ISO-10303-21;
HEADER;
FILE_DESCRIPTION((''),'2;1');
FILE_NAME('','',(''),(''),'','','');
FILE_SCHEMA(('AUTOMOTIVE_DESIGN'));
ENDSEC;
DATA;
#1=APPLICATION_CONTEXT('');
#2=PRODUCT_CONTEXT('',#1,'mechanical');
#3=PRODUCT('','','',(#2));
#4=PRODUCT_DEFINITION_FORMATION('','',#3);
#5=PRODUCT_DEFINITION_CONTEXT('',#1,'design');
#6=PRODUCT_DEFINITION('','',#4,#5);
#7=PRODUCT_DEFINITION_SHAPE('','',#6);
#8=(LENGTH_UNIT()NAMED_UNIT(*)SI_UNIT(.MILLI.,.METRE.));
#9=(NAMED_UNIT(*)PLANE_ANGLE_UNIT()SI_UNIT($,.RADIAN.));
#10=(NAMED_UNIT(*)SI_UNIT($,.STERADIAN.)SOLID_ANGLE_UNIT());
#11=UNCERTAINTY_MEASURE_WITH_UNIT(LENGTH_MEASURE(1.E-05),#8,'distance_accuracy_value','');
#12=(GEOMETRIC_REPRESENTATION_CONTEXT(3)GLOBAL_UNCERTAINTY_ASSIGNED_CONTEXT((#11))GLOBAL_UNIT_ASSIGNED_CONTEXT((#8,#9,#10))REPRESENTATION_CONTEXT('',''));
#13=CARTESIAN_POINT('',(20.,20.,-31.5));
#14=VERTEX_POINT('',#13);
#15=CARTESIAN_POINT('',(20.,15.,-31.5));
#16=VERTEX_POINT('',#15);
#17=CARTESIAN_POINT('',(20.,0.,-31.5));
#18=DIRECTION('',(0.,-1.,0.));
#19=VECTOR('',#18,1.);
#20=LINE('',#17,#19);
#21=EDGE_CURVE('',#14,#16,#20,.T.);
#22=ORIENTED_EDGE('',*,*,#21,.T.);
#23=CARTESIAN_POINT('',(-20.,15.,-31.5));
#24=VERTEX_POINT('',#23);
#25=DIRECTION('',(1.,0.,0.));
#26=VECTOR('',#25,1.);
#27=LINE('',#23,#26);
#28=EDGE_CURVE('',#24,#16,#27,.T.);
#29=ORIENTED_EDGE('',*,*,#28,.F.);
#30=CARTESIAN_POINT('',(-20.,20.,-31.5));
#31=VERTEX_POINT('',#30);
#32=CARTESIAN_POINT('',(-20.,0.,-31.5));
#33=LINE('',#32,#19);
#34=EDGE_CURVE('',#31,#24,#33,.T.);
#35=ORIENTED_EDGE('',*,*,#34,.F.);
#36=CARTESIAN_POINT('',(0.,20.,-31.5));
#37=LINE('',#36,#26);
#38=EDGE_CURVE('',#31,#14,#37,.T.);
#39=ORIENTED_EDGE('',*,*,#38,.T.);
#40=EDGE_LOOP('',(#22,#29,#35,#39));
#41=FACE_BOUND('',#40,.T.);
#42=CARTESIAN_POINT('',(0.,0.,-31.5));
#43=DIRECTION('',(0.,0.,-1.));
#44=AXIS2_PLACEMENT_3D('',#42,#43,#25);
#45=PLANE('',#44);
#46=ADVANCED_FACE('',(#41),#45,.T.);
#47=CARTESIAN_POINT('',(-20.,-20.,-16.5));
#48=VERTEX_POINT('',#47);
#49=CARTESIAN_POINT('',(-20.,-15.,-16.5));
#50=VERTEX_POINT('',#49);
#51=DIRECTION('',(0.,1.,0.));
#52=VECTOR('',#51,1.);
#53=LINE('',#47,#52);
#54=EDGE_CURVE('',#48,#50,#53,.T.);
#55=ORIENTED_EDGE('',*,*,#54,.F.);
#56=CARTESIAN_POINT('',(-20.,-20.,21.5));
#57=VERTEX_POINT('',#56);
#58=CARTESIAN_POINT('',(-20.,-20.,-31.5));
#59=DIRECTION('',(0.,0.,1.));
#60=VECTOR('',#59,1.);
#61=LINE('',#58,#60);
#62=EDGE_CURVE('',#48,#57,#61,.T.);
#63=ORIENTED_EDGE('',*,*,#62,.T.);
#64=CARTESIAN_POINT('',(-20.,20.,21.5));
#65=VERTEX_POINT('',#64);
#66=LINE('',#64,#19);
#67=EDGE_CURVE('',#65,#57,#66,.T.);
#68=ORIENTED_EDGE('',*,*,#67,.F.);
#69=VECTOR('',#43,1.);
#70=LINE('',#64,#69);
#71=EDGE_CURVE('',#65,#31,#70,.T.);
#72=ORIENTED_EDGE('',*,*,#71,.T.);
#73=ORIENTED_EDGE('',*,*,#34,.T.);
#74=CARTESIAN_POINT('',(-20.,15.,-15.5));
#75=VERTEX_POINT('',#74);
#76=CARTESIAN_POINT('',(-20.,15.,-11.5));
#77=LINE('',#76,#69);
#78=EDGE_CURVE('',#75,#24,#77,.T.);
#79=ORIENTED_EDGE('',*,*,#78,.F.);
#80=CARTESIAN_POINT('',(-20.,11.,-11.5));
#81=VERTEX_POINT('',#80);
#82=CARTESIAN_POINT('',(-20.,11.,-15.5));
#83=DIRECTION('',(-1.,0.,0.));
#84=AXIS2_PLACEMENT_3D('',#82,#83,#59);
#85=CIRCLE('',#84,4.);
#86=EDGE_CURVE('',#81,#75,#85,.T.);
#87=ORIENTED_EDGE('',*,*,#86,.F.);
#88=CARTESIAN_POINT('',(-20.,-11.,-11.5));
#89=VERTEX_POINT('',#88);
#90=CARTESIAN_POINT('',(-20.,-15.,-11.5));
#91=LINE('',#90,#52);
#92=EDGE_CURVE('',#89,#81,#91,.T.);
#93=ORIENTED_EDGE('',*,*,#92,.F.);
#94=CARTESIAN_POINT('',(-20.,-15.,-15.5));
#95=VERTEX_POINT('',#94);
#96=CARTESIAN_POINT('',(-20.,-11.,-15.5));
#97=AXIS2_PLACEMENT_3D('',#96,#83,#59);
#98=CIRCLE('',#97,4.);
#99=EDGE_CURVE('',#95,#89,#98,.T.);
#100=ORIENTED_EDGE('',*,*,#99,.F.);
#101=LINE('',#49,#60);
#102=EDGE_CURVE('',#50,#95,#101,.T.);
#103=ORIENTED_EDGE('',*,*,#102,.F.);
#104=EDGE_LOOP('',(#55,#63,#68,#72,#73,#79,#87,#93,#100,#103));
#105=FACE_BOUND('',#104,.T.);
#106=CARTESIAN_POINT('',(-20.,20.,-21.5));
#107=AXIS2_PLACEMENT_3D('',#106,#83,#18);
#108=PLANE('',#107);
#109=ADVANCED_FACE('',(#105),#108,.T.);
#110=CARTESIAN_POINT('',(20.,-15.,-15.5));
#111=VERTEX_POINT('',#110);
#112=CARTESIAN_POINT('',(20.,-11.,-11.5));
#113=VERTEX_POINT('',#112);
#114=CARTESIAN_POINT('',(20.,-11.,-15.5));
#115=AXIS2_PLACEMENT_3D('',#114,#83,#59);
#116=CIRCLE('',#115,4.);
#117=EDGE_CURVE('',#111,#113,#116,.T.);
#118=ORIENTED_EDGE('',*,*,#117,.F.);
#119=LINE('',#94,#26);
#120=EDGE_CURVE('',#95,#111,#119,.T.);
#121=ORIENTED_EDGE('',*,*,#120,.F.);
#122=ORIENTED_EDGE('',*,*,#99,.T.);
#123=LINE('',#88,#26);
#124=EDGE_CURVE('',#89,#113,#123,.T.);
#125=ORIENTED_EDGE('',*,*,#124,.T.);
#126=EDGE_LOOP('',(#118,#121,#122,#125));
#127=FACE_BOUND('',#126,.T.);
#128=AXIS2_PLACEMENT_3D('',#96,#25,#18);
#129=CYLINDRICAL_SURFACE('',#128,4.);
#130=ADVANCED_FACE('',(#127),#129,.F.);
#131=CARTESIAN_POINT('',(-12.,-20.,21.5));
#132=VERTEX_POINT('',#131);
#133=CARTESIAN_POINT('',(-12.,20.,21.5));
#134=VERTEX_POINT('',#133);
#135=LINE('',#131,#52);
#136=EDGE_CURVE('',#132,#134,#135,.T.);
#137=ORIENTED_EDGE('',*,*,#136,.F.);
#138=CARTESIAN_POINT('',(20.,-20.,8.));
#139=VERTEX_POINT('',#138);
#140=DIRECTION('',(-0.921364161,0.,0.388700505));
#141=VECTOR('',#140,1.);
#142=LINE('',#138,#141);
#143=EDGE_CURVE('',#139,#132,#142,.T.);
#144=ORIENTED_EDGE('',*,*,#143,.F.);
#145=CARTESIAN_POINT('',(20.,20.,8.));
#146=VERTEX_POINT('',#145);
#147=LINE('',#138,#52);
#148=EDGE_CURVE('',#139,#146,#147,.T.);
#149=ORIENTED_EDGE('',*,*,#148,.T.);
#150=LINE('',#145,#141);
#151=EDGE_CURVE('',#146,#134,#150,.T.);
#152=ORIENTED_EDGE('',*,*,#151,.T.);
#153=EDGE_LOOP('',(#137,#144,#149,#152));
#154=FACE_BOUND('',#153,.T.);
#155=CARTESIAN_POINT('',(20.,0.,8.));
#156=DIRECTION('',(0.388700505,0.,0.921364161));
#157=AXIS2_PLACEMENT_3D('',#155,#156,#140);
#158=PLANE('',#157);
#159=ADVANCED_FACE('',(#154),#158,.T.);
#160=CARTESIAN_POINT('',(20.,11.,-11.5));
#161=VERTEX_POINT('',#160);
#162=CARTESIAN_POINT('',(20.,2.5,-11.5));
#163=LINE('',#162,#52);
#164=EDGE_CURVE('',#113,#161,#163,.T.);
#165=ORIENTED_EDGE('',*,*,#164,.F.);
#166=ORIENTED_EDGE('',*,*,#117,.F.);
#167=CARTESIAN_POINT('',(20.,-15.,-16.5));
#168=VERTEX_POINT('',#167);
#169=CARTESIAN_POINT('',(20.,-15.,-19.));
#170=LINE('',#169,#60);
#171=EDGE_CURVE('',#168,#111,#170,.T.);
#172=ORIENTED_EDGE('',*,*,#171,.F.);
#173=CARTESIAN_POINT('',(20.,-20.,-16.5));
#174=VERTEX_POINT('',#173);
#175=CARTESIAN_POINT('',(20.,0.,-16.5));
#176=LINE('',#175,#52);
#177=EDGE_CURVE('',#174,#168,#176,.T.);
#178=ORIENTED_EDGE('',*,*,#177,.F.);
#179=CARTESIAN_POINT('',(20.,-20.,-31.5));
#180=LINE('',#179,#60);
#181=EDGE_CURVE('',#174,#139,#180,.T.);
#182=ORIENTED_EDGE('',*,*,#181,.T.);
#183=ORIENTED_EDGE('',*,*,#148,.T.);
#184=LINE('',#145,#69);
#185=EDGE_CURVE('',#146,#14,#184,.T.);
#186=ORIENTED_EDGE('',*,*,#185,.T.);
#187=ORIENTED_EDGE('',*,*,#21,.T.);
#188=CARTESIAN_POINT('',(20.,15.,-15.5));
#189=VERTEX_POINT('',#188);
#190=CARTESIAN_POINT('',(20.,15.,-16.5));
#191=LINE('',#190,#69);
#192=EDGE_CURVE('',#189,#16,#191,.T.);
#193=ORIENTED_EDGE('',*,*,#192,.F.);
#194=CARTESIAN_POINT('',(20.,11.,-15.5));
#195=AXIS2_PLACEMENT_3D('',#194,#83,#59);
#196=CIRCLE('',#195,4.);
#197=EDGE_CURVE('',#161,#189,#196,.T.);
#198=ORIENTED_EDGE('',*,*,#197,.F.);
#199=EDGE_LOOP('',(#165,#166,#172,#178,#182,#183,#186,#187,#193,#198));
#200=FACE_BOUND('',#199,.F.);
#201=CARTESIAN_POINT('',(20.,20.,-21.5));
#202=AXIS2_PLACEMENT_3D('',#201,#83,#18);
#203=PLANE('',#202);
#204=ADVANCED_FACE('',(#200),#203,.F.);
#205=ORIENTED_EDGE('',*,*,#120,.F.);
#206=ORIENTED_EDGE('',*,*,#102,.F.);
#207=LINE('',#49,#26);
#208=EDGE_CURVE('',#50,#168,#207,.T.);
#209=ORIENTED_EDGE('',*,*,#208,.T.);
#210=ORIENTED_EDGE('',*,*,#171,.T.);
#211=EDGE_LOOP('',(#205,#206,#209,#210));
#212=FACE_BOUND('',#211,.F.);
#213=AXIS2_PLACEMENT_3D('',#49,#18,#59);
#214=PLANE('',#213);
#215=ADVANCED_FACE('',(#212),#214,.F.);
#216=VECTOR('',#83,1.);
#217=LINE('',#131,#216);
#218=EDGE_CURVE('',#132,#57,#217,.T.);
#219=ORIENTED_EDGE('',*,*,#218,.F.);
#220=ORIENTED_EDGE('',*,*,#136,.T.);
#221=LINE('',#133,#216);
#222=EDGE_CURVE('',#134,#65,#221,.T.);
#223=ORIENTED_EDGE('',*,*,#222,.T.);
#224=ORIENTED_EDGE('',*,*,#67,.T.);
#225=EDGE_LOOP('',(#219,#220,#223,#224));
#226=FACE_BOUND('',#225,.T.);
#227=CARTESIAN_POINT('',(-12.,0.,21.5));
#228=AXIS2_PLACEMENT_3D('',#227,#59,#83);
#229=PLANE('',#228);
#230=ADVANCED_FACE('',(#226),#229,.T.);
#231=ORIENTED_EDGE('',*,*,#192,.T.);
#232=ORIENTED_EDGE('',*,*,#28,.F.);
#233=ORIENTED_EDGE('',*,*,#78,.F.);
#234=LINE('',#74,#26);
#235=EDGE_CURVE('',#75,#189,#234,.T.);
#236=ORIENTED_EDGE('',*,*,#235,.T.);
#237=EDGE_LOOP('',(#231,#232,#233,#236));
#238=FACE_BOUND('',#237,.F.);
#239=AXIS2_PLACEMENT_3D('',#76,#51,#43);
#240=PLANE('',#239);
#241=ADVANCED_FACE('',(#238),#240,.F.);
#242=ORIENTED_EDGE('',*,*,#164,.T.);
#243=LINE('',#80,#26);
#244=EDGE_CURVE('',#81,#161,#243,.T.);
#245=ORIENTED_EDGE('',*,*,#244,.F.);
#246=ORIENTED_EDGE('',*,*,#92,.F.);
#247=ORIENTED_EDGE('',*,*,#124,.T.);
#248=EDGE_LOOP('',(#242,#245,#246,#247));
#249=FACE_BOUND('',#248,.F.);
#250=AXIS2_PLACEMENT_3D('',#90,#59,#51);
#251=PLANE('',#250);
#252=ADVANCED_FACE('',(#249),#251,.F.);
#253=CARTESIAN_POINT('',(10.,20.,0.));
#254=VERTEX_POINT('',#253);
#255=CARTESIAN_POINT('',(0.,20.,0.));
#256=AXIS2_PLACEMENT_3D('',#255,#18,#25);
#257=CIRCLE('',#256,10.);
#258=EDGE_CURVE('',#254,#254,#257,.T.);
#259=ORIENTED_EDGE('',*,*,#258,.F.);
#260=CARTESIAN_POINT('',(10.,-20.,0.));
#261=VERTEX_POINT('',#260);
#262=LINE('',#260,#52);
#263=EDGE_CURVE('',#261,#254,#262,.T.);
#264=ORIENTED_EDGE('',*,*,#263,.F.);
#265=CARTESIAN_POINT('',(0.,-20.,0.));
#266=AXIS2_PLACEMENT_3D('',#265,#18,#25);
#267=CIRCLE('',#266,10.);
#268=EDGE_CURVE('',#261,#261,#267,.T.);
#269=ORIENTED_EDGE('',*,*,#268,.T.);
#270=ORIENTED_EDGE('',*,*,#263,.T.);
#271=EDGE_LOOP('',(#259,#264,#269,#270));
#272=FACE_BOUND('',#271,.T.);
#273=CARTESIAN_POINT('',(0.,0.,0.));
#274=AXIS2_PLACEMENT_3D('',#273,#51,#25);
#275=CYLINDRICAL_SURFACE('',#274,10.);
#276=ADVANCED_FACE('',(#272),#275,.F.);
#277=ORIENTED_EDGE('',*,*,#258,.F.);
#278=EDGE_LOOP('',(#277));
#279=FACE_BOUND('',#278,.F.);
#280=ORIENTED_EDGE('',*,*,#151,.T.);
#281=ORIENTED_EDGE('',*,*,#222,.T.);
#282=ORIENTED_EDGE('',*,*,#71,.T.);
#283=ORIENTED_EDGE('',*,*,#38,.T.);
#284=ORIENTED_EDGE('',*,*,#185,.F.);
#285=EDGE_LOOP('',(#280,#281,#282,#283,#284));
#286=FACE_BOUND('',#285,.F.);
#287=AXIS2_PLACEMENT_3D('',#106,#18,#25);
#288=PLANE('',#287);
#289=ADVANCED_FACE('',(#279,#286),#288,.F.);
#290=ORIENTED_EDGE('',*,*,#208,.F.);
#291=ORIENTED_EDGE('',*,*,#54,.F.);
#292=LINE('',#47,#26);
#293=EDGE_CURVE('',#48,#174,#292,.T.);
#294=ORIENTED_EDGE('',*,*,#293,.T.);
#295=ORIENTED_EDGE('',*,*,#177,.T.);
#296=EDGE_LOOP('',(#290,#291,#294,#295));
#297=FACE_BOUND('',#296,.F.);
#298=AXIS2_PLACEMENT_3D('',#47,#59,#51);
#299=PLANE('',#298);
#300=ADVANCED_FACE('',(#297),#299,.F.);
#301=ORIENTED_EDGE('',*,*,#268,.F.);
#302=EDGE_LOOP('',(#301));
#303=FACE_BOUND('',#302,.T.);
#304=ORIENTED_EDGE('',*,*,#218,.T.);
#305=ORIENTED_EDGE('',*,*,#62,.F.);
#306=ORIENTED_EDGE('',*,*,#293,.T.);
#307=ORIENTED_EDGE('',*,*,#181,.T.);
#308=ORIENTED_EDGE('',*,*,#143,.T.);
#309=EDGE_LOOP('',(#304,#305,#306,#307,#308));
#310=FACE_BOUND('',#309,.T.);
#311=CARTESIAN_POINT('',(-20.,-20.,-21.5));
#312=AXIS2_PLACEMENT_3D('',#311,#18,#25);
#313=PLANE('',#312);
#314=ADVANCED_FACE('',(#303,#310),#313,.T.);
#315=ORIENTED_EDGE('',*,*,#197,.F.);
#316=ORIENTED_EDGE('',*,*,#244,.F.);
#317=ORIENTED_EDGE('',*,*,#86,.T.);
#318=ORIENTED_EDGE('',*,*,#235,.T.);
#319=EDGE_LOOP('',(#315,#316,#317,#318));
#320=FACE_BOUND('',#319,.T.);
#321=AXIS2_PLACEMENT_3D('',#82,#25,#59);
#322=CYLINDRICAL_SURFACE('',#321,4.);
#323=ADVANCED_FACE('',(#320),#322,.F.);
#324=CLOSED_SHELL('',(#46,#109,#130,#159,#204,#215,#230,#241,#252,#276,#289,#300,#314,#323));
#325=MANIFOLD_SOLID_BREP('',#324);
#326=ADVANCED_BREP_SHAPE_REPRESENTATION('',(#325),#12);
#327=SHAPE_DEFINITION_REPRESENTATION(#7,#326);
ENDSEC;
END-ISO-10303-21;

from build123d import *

# Parameters (mm, degrees)
F0_R      = 10
F1_DEPTH  = 20
F1_FACE_W = 40
F1_FACE_H = 40
F2_DEPTH  = 10
F4_DEPTH  = 40.001
F5_R      = 4


with BuildPart() as f1:
    # F0 (on Front) → F1 (new body, symmetric)
    with BuildSketch(Plane.XZ):
        Polygon((-12, 21.5), (-20, 21.5), (-20, -21.5), (20, -21.5), (20, 8), align=None)
        Circle(F0_R, mode=Mode.SUBTRACT)
    extrude(amount=F1_DEPTH, both=True)

    # F1_face (on face) → F2 (join)
    with BuildSketch(Plane(origin=(0, 0, -21.5), x_dir=(1, 0, 0), z_dir=(0, 0, -1))):
        Rectangle(F1_FACE_W, F1_FACE_H)
    extrude(amount=F2_DEPTH)

    # F3 (on face) → F4 (cut, through all)
    with BuildSketch(Plane(origin=(-20, 0, 0), x_dir=(0, -1, 0), z_dir=(-1, 0, 0))):
        Polygon((-15, -11.5), (-15, -31.5), (20, -31.5), (20, -16.5), (15, -16.5), (15, -11.5), align=None)
    extrude(amount=-F4_DEPTH, mode=Mode.SUBTRACT)

    # F5
    f5_edges = [f1.edges().sort_by_distance(p)[0] for p in [
        (0, 15, -11.5),
        (0, -15, -11.5),
    ]]
    fillet(f5_edges, radius=F5_R)


solid = f1.part
